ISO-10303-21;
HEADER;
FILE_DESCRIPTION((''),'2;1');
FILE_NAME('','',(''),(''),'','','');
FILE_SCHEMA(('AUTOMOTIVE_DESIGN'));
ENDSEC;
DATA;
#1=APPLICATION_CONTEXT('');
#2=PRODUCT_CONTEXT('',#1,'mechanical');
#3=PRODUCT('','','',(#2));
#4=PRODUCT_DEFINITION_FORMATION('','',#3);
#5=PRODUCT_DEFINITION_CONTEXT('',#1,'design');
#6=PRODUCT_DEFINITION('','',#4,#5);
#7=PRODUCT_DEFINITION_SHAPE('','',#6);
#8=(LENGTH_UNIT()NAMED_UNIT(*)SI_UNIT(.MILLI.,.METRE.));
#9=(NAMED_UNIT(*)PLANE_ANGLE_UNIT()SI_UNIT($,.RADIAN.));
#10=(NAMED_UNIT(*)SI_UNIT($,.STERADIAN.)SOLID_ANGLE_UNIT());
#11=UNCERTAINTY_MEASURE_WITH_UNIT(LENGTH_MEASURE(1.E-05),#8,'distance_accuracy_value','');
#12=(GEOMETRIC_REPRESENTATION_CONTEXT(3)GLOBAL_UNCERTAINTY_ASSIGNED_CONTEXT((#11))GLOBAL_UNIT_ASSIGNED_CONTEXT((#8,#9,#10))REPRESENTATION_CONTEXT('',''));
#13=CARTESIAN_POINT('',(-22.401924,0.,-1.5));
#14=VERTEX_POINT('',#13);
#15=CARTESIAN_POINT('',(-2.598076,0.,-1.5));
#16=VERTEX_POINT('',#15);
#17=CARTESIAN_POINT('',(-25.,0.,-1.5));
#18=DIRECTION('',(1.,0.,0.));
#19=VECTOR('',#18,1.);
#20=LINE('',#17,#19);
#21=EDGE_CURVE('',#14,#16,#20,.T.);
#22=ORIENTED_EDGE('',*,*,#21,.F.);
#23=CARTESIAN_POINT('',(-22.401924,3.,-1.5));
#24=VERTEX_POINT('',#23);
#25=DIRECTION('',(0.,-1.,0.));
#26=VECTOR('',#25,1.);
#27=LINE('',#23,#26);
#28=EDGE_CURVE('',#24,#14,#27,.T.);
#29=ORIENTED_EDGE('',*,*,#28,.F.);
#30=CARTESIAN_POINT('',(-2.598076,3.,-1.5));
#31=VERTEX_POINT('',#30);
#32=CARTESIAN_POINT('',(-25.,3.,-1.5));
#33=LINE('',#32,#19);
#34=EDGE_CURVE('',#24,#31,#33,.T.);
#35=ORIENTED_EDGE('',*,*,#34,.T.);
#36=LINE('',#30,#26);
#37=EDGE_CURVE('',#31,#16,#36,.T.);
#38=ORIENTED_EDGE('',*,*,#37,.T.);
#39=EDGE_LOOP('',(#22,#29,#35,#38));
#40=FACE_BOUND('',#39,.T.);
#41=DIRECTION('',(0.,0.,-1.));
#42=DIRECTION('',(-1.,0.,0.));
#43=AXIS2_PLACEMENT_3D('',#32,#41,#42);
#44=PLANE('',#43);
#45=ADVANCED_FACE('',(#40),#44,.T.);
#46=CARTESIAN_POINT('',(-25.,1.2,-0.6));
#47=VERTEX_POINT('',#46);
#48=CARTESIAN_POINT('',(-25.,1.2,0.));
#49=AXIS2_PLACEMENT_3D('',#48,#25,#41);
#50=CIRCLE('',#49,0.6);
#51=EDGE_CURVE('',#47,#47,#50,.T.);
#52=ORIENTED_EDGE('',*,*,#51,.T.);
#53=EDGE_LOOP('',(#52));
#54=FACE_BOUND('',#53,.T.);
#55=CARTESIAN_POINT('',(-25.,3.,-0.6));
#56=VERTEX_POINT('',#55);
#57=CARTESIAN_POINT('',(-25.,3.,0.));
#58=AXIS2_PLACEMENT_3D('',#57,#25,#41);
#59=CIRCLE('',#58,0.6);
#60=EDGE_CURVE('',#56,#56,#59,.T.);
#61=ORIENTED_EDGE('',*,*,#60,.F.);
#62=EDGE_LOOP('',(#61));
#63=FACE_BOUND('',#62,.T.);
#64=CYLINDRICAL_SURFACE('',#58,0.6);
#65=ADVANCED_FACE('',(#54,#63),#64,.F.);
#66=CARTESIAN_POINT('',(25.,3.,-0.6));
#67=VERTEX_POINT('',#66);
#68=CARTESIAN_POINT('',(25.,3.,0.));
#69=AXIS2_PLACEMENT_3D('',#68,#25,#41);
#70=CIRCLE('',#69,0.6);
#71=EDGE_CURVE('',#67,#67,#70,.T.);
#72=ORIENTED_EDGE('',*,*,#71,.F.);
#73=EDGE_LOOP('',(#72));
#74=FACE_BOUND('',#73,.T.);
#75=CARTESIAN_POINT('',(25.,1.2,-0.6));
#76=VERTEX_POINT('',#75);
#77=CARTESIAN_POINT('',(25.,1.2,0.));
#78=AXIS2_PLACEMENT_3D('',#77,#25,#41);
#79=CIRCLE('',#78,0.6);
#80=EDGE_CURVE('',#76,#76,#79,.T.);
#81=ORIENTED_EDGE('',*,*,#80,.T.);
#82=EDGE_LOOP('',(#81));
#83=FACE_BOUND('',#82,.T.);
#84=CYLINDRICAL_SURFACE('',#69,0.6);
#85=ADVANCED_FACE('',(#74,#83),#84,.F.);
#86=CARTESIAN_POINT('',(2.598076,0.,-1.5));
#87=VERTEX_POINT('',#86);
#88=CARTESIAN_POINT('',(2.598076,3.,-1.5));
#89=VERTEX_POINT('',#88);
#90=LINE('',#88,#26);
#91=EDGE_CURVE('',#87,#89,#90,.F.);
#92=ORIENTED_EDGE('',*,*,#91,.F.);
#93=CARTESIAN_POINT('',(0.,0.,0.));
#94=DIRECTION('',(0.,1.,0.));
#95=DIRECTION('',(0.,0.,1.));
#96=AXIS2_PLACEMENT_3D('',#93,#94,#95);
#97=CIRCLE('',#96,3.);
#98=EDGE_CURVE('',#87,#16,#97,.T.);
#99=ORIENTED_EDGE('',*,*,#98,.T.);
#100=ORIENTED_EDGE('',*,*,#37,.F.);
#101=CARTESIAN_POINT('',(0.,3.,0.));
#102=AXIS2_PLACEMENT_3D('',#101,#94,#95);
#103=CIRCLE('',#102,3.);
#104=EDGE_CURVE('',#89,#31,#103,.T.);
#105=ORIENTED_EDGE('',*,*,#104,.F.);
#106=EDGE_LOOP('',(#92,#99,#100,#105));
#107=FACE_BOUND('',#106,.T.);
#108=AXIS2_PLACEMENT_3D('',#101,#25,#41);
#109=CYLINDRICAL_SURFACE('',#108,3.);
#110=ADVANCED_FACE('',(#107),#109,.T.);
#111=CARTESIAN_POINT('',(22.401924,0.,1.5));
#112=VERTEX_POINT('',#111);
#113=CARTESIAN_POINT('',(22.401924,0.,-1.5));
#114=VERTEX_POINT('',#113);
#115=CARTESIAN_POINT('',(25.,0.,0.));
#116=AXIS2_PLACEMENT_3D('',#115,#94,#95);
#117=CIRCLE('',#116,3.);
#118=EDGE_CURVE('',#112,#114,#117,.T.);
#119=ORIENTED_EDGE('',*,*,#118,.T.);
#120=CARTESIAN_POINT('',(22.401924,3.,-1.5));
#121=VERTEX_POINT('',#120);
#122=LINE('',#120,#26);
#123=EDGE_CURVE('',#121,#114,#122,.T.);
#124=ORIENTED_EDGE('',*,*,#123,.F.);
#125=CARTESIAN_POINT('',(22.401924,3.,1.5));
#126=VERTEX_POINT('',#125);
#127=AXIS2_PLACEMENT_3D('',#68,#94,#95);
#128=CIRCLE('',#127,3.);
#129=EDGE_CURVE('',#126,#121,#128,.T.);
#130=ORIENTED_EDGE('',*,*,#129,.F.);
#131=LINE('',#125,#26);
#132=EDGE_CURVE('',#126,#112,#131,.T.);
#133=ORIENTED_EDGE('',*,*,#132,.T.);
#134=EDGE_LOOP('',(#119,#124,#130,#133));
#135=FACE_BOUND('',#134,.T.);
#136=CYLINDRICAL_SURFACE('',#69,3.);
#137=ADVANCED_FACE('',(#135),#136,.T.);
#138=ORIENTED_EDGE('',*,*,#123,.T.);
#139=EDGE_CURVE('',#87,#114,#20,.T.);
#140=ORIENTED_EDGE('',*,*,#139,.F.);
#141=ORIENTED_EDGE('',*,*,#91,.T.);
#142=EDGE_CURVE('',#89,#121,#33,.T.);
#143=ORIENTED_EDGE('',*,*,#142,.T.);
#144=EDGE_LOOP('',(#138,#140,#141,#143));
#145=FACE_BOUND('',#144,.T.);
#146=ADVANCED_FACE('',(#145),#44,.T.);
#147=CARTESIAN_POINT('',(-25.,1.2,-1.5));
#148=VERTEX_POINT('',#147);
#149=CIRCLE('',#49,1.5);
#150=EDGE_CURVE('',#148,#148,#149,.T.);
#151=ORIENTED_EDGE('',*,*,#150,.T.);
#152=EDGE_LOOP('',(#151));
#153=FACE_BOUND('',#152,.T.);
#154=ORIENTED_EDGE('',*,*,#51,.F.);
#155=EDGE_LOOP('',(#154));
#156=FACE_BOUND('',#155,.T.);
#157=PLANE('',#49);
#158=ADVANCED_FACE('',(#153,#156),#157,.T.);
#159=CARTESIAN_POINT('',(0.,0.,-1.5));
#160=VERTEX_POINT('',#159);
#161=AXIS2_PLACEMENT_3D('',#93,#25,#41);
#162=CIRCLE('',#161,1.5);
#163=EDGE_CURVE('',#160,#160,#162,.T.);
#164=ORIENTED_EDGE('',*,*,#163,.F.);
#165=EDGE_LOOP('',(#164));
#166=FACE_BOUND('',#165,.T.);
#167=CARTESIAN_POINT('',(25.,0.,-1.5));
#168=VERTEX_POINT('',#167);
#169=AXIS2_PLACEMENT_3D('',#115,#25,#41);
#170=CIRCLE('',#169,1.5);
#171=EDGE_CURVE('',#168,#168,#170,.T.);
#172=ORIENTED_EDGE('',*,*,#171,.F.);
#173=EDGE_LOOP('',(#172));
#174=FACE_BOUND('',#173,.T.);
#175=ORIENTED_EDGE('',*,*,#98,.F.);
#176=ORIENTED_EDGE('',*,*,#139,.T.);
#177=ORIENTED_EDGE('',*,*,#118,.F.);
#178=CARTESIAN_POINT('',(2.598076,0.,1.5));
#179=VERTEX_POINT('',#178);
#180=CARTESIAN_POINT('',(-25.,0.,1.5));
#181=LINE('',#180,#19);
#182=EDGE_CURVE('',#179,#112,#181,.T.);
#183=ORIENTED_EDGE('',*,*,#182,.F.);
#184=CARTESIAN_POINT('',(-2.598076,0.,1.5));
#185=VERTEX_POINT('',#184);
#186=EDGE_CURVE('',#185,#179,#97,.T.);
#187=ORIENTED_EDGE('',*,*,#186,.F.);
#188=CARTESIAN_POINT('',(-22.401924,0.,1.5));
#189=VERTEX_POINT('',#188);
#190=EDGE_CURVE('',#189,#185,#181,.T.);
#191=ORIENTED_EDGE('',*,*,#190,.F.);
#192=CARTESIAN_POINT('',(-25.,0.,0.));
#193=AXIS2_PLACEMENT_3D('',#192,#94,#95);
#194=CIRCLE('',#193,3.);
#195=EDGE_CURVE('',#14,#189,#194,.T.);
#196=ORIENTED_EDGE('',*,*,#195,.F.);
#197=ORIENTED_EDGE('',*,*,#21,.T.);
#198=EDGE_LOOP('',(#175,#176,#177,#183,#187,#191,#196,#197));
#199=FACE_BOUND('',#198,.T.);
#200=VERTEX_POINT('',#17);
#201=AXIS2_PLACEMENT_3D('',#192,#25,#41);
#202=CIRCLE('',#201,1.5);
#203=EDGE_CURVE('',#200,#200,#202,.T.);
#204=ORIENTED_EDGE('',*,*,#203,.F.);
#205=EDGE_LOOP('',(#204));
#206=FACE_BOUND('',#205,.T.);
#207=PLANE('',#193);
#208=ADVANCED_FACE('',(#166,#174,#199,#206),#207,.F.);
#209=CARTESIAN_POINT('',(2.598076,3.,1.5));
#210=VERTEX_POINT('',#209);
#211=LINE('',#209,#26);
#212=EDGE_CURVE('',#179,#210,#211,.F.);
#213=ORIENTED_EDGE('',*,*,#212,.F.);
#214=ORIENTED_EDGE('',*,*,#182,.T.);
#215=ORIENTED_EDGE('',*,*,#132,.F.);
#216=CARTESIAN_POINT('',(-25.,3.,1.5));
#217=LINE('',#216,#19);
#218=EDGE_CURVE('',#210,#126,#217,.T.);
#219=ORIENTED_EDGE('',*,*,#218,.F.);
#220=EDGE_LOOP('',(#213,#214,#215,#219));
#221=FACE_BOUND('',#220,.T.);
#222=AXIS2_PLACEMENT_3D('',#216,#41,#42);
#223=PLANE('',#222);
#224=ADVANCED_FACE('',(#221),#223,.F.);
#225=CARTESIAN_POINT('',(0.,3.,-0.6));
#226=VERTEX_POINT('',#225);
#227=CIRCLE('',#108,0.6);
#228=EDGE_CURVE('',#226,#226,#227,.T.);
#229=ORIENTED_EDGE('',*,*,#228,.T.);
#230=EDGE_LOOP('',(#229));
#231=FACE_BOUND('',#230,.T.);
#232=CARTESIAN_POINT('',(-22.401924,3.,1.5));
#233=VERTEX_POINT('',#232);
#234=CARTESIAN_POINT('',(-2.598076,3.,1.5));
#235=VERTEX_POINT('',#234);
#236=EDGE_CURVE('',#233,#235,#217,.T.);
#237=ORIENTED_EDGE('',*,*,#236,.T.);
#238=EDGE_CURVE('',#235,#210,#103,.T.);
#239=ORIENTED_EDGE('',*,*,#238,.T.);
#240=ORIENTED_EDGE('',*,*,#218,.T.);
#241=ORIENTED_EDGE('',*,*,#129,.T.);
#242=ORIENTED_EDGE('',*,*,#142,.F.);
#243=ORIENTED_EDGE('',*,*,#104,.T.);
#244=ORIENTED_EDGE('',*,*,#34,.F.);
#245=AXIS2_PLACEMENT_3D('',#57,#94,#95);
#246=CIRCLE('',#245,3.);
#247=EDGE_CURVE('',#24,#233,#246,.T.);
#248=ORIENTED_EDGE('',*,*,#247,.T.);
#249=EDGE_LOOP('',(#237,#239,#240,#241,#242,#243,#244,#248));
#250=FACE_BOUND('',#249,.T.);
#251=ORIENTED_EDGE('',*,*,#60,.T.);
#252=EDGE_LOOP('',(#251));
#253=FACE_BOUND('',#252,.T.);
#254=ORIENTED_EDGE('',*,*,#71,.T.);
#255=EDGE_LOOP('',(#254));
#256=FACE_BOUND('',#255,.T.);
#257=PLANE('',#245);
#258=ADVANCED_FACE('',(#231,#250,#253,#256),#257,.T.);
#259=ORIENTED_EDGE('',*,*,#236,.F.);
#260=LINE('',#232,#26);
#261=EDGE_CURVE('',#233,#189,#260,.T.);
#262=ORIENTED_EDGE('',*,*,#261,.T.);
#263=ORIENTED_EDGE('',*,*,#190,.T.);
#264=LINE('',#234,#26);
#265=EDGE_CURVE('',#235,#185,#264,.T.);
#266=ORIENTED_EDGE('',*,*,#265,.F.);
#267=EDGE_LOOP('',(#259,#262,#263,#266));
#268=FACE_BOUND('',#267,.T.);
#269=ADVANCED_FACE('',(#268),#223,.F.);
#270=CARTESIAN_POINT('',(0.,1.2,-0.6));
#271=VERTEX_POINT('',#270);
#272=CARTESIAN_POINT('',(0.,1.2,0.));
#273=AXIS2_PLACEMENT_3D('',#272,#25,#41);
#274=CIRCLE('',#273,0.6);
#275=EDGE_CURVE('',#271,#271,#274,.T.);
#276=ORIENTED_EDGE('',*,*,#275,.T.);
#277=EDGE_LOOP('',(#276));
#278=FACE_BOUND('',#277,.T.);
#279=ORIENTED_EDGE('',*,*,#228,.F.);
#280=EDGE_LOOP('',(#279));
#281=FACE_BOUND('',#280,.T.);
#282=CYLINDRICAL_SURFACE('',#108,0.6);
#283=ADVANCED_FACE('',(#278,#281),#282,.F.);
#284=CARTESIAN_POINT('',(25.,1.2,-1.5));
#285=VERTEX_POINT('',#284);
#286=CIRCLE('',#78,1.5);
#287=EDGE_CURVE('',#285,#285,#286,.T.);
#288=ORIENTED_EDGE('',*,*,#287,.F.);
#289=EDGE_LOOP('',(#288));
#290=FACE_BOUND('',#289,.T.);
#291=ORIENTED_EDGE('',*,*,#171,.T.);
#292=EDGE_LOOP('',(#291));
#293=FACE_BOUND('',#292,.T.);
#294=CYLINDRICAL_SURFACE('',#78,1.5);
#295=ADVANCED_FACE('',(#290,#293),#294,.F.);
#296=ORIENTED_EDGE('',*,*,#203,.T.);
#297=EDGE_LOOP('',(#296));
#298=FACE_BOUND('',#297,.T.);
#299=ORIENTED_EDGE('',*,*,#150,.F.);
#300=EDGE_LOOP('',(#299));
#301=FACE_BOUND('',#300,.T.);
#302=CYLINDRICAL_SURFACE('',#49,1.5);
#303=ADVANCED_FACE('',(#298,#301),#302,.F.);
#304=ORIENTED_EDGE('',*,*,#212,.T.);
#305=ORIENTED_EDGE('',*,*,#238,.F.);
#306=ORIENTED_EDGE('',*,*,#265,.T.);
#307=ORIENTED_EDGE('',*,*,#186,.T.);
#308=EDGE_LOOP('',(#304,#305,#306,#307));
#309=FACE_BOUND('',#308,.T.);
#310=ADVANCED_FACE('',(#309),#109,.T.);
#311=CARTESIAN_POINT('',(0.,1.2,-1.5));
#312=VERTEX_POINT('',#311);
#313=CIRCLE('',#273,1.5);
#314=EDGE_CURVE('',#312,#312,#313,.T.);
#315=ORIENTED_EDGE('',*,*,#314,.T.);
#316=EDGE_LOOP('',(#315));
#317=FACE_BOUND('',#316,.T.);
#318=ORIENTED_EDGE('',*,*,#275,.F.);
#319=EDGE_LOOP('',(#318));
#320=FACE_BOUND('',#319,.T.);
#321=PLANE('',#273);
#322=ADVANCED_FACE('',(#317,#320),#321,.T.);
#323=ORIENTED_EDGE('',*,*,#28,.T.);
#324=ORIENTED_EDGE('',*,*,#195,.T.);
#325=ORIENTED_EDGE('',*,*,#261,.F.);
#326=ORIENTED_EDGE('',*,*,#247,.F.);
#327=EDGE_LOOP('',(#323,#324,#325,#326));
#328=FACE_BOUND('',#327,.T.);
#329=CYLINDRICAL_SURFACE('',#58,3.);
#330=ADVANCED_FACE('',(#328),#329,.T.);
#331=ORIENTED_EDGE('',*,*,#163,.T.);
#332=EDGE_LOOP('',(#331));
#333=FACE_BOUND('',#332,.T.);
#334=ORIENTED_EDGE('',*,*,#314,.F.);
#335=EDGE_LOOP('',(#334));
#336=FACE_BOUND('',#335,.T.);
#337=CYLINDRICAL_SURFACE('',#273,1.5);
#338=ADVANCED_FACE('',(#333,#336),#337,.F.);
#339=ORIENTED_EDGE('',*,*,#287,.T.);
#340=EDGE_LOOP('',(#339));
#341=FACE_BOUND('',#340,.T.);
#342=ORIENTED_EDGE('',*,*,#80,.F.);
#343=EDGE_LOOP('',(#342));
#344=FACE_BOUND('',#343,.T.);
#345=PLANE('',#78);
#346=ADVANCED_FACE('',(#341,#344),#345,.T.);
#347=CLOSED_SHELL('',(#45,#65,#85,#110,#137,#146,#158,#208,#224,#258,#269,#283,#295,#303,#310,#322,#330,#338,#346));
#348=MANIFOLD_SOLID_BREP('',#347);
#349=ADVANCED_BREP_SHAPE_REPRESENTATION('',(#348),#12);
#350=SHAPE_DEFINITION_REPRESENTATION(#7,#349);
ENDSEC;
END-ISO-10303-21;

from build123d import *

# Parameters (mm, degrees)
SKETCH_4_R          = 3
SKETCH_4_W          = 50
SKETCH_4_H          = 3
EXTRUDE_1_DEPTH     = 3
SKETCH_5_R          = 1.5
CUT_EXTRUDE_1_DEPTH = 1.2
SKETCH_6_R          = 0.6
CUT_EXTRUDE_2_DEPTH = 29.319604517


with BuildPart() as part:
    # 草图4 → 凸台-拉伸1 (new body)
    with BuildSketch(Plane(origin=(0, 0, 0), x_dir=(1, 0, 0), z_dir=(0, 1, 0))):
        Circle(SKETCH_4_R)
        with Locations((25, 0)):
            Circle(SKETCH_4_R)
        with Locations((-25, 0)):
            Circle(SKETCH_4_R)
        Rectangle(SKETCH_4_W, SKETCH_4_H)
    extrude(amount=EXTRUDE_1_DEPTH)

    # 草图5 → 切除-拉伸1 (cut)
    with BuildSketch(Plane.XZ):
        with Locations(Location((-25, 0, 0), (0, 0, 270))):
            Circle(SKETCH_5_R)
        with Locations(Location((0, 0, 0), (0, 0, 270))):
            Circle(SKETCH_5_R)
        with Locations(Location((25, 0, 0), (0, 0, 270))):
            Circle(SKETCH_5_R)
    extrude(amount=-CUT_EXTRUDE_1_DEPTH, mode=Mode.SUBTRACT)

    # 草图6 → 切除-拉伸2 (cut, through all)
    with BuildSketch(Plane(origin=(0, 0, 0), x_dir=(-1, 0, 0), z_dir=(0, -1, 0))):
        with Locations(Location((0, 0, 0), (0, 0, 90))):
            Circle(SKETCH_6_R)
        with Locations(Location((-25, 0, 0), (0, 0, 90))):
            Circle(SKETCH_6_R)
        with Locations(Location((25, 0, 0), (0, 0, 90))):
            Circle(SKETCH_6_R)
    extrude(amount=-CUT_EXTRUDE_2_DEPTH, mode=Mode.SUBTRACT)


solid = part.part
